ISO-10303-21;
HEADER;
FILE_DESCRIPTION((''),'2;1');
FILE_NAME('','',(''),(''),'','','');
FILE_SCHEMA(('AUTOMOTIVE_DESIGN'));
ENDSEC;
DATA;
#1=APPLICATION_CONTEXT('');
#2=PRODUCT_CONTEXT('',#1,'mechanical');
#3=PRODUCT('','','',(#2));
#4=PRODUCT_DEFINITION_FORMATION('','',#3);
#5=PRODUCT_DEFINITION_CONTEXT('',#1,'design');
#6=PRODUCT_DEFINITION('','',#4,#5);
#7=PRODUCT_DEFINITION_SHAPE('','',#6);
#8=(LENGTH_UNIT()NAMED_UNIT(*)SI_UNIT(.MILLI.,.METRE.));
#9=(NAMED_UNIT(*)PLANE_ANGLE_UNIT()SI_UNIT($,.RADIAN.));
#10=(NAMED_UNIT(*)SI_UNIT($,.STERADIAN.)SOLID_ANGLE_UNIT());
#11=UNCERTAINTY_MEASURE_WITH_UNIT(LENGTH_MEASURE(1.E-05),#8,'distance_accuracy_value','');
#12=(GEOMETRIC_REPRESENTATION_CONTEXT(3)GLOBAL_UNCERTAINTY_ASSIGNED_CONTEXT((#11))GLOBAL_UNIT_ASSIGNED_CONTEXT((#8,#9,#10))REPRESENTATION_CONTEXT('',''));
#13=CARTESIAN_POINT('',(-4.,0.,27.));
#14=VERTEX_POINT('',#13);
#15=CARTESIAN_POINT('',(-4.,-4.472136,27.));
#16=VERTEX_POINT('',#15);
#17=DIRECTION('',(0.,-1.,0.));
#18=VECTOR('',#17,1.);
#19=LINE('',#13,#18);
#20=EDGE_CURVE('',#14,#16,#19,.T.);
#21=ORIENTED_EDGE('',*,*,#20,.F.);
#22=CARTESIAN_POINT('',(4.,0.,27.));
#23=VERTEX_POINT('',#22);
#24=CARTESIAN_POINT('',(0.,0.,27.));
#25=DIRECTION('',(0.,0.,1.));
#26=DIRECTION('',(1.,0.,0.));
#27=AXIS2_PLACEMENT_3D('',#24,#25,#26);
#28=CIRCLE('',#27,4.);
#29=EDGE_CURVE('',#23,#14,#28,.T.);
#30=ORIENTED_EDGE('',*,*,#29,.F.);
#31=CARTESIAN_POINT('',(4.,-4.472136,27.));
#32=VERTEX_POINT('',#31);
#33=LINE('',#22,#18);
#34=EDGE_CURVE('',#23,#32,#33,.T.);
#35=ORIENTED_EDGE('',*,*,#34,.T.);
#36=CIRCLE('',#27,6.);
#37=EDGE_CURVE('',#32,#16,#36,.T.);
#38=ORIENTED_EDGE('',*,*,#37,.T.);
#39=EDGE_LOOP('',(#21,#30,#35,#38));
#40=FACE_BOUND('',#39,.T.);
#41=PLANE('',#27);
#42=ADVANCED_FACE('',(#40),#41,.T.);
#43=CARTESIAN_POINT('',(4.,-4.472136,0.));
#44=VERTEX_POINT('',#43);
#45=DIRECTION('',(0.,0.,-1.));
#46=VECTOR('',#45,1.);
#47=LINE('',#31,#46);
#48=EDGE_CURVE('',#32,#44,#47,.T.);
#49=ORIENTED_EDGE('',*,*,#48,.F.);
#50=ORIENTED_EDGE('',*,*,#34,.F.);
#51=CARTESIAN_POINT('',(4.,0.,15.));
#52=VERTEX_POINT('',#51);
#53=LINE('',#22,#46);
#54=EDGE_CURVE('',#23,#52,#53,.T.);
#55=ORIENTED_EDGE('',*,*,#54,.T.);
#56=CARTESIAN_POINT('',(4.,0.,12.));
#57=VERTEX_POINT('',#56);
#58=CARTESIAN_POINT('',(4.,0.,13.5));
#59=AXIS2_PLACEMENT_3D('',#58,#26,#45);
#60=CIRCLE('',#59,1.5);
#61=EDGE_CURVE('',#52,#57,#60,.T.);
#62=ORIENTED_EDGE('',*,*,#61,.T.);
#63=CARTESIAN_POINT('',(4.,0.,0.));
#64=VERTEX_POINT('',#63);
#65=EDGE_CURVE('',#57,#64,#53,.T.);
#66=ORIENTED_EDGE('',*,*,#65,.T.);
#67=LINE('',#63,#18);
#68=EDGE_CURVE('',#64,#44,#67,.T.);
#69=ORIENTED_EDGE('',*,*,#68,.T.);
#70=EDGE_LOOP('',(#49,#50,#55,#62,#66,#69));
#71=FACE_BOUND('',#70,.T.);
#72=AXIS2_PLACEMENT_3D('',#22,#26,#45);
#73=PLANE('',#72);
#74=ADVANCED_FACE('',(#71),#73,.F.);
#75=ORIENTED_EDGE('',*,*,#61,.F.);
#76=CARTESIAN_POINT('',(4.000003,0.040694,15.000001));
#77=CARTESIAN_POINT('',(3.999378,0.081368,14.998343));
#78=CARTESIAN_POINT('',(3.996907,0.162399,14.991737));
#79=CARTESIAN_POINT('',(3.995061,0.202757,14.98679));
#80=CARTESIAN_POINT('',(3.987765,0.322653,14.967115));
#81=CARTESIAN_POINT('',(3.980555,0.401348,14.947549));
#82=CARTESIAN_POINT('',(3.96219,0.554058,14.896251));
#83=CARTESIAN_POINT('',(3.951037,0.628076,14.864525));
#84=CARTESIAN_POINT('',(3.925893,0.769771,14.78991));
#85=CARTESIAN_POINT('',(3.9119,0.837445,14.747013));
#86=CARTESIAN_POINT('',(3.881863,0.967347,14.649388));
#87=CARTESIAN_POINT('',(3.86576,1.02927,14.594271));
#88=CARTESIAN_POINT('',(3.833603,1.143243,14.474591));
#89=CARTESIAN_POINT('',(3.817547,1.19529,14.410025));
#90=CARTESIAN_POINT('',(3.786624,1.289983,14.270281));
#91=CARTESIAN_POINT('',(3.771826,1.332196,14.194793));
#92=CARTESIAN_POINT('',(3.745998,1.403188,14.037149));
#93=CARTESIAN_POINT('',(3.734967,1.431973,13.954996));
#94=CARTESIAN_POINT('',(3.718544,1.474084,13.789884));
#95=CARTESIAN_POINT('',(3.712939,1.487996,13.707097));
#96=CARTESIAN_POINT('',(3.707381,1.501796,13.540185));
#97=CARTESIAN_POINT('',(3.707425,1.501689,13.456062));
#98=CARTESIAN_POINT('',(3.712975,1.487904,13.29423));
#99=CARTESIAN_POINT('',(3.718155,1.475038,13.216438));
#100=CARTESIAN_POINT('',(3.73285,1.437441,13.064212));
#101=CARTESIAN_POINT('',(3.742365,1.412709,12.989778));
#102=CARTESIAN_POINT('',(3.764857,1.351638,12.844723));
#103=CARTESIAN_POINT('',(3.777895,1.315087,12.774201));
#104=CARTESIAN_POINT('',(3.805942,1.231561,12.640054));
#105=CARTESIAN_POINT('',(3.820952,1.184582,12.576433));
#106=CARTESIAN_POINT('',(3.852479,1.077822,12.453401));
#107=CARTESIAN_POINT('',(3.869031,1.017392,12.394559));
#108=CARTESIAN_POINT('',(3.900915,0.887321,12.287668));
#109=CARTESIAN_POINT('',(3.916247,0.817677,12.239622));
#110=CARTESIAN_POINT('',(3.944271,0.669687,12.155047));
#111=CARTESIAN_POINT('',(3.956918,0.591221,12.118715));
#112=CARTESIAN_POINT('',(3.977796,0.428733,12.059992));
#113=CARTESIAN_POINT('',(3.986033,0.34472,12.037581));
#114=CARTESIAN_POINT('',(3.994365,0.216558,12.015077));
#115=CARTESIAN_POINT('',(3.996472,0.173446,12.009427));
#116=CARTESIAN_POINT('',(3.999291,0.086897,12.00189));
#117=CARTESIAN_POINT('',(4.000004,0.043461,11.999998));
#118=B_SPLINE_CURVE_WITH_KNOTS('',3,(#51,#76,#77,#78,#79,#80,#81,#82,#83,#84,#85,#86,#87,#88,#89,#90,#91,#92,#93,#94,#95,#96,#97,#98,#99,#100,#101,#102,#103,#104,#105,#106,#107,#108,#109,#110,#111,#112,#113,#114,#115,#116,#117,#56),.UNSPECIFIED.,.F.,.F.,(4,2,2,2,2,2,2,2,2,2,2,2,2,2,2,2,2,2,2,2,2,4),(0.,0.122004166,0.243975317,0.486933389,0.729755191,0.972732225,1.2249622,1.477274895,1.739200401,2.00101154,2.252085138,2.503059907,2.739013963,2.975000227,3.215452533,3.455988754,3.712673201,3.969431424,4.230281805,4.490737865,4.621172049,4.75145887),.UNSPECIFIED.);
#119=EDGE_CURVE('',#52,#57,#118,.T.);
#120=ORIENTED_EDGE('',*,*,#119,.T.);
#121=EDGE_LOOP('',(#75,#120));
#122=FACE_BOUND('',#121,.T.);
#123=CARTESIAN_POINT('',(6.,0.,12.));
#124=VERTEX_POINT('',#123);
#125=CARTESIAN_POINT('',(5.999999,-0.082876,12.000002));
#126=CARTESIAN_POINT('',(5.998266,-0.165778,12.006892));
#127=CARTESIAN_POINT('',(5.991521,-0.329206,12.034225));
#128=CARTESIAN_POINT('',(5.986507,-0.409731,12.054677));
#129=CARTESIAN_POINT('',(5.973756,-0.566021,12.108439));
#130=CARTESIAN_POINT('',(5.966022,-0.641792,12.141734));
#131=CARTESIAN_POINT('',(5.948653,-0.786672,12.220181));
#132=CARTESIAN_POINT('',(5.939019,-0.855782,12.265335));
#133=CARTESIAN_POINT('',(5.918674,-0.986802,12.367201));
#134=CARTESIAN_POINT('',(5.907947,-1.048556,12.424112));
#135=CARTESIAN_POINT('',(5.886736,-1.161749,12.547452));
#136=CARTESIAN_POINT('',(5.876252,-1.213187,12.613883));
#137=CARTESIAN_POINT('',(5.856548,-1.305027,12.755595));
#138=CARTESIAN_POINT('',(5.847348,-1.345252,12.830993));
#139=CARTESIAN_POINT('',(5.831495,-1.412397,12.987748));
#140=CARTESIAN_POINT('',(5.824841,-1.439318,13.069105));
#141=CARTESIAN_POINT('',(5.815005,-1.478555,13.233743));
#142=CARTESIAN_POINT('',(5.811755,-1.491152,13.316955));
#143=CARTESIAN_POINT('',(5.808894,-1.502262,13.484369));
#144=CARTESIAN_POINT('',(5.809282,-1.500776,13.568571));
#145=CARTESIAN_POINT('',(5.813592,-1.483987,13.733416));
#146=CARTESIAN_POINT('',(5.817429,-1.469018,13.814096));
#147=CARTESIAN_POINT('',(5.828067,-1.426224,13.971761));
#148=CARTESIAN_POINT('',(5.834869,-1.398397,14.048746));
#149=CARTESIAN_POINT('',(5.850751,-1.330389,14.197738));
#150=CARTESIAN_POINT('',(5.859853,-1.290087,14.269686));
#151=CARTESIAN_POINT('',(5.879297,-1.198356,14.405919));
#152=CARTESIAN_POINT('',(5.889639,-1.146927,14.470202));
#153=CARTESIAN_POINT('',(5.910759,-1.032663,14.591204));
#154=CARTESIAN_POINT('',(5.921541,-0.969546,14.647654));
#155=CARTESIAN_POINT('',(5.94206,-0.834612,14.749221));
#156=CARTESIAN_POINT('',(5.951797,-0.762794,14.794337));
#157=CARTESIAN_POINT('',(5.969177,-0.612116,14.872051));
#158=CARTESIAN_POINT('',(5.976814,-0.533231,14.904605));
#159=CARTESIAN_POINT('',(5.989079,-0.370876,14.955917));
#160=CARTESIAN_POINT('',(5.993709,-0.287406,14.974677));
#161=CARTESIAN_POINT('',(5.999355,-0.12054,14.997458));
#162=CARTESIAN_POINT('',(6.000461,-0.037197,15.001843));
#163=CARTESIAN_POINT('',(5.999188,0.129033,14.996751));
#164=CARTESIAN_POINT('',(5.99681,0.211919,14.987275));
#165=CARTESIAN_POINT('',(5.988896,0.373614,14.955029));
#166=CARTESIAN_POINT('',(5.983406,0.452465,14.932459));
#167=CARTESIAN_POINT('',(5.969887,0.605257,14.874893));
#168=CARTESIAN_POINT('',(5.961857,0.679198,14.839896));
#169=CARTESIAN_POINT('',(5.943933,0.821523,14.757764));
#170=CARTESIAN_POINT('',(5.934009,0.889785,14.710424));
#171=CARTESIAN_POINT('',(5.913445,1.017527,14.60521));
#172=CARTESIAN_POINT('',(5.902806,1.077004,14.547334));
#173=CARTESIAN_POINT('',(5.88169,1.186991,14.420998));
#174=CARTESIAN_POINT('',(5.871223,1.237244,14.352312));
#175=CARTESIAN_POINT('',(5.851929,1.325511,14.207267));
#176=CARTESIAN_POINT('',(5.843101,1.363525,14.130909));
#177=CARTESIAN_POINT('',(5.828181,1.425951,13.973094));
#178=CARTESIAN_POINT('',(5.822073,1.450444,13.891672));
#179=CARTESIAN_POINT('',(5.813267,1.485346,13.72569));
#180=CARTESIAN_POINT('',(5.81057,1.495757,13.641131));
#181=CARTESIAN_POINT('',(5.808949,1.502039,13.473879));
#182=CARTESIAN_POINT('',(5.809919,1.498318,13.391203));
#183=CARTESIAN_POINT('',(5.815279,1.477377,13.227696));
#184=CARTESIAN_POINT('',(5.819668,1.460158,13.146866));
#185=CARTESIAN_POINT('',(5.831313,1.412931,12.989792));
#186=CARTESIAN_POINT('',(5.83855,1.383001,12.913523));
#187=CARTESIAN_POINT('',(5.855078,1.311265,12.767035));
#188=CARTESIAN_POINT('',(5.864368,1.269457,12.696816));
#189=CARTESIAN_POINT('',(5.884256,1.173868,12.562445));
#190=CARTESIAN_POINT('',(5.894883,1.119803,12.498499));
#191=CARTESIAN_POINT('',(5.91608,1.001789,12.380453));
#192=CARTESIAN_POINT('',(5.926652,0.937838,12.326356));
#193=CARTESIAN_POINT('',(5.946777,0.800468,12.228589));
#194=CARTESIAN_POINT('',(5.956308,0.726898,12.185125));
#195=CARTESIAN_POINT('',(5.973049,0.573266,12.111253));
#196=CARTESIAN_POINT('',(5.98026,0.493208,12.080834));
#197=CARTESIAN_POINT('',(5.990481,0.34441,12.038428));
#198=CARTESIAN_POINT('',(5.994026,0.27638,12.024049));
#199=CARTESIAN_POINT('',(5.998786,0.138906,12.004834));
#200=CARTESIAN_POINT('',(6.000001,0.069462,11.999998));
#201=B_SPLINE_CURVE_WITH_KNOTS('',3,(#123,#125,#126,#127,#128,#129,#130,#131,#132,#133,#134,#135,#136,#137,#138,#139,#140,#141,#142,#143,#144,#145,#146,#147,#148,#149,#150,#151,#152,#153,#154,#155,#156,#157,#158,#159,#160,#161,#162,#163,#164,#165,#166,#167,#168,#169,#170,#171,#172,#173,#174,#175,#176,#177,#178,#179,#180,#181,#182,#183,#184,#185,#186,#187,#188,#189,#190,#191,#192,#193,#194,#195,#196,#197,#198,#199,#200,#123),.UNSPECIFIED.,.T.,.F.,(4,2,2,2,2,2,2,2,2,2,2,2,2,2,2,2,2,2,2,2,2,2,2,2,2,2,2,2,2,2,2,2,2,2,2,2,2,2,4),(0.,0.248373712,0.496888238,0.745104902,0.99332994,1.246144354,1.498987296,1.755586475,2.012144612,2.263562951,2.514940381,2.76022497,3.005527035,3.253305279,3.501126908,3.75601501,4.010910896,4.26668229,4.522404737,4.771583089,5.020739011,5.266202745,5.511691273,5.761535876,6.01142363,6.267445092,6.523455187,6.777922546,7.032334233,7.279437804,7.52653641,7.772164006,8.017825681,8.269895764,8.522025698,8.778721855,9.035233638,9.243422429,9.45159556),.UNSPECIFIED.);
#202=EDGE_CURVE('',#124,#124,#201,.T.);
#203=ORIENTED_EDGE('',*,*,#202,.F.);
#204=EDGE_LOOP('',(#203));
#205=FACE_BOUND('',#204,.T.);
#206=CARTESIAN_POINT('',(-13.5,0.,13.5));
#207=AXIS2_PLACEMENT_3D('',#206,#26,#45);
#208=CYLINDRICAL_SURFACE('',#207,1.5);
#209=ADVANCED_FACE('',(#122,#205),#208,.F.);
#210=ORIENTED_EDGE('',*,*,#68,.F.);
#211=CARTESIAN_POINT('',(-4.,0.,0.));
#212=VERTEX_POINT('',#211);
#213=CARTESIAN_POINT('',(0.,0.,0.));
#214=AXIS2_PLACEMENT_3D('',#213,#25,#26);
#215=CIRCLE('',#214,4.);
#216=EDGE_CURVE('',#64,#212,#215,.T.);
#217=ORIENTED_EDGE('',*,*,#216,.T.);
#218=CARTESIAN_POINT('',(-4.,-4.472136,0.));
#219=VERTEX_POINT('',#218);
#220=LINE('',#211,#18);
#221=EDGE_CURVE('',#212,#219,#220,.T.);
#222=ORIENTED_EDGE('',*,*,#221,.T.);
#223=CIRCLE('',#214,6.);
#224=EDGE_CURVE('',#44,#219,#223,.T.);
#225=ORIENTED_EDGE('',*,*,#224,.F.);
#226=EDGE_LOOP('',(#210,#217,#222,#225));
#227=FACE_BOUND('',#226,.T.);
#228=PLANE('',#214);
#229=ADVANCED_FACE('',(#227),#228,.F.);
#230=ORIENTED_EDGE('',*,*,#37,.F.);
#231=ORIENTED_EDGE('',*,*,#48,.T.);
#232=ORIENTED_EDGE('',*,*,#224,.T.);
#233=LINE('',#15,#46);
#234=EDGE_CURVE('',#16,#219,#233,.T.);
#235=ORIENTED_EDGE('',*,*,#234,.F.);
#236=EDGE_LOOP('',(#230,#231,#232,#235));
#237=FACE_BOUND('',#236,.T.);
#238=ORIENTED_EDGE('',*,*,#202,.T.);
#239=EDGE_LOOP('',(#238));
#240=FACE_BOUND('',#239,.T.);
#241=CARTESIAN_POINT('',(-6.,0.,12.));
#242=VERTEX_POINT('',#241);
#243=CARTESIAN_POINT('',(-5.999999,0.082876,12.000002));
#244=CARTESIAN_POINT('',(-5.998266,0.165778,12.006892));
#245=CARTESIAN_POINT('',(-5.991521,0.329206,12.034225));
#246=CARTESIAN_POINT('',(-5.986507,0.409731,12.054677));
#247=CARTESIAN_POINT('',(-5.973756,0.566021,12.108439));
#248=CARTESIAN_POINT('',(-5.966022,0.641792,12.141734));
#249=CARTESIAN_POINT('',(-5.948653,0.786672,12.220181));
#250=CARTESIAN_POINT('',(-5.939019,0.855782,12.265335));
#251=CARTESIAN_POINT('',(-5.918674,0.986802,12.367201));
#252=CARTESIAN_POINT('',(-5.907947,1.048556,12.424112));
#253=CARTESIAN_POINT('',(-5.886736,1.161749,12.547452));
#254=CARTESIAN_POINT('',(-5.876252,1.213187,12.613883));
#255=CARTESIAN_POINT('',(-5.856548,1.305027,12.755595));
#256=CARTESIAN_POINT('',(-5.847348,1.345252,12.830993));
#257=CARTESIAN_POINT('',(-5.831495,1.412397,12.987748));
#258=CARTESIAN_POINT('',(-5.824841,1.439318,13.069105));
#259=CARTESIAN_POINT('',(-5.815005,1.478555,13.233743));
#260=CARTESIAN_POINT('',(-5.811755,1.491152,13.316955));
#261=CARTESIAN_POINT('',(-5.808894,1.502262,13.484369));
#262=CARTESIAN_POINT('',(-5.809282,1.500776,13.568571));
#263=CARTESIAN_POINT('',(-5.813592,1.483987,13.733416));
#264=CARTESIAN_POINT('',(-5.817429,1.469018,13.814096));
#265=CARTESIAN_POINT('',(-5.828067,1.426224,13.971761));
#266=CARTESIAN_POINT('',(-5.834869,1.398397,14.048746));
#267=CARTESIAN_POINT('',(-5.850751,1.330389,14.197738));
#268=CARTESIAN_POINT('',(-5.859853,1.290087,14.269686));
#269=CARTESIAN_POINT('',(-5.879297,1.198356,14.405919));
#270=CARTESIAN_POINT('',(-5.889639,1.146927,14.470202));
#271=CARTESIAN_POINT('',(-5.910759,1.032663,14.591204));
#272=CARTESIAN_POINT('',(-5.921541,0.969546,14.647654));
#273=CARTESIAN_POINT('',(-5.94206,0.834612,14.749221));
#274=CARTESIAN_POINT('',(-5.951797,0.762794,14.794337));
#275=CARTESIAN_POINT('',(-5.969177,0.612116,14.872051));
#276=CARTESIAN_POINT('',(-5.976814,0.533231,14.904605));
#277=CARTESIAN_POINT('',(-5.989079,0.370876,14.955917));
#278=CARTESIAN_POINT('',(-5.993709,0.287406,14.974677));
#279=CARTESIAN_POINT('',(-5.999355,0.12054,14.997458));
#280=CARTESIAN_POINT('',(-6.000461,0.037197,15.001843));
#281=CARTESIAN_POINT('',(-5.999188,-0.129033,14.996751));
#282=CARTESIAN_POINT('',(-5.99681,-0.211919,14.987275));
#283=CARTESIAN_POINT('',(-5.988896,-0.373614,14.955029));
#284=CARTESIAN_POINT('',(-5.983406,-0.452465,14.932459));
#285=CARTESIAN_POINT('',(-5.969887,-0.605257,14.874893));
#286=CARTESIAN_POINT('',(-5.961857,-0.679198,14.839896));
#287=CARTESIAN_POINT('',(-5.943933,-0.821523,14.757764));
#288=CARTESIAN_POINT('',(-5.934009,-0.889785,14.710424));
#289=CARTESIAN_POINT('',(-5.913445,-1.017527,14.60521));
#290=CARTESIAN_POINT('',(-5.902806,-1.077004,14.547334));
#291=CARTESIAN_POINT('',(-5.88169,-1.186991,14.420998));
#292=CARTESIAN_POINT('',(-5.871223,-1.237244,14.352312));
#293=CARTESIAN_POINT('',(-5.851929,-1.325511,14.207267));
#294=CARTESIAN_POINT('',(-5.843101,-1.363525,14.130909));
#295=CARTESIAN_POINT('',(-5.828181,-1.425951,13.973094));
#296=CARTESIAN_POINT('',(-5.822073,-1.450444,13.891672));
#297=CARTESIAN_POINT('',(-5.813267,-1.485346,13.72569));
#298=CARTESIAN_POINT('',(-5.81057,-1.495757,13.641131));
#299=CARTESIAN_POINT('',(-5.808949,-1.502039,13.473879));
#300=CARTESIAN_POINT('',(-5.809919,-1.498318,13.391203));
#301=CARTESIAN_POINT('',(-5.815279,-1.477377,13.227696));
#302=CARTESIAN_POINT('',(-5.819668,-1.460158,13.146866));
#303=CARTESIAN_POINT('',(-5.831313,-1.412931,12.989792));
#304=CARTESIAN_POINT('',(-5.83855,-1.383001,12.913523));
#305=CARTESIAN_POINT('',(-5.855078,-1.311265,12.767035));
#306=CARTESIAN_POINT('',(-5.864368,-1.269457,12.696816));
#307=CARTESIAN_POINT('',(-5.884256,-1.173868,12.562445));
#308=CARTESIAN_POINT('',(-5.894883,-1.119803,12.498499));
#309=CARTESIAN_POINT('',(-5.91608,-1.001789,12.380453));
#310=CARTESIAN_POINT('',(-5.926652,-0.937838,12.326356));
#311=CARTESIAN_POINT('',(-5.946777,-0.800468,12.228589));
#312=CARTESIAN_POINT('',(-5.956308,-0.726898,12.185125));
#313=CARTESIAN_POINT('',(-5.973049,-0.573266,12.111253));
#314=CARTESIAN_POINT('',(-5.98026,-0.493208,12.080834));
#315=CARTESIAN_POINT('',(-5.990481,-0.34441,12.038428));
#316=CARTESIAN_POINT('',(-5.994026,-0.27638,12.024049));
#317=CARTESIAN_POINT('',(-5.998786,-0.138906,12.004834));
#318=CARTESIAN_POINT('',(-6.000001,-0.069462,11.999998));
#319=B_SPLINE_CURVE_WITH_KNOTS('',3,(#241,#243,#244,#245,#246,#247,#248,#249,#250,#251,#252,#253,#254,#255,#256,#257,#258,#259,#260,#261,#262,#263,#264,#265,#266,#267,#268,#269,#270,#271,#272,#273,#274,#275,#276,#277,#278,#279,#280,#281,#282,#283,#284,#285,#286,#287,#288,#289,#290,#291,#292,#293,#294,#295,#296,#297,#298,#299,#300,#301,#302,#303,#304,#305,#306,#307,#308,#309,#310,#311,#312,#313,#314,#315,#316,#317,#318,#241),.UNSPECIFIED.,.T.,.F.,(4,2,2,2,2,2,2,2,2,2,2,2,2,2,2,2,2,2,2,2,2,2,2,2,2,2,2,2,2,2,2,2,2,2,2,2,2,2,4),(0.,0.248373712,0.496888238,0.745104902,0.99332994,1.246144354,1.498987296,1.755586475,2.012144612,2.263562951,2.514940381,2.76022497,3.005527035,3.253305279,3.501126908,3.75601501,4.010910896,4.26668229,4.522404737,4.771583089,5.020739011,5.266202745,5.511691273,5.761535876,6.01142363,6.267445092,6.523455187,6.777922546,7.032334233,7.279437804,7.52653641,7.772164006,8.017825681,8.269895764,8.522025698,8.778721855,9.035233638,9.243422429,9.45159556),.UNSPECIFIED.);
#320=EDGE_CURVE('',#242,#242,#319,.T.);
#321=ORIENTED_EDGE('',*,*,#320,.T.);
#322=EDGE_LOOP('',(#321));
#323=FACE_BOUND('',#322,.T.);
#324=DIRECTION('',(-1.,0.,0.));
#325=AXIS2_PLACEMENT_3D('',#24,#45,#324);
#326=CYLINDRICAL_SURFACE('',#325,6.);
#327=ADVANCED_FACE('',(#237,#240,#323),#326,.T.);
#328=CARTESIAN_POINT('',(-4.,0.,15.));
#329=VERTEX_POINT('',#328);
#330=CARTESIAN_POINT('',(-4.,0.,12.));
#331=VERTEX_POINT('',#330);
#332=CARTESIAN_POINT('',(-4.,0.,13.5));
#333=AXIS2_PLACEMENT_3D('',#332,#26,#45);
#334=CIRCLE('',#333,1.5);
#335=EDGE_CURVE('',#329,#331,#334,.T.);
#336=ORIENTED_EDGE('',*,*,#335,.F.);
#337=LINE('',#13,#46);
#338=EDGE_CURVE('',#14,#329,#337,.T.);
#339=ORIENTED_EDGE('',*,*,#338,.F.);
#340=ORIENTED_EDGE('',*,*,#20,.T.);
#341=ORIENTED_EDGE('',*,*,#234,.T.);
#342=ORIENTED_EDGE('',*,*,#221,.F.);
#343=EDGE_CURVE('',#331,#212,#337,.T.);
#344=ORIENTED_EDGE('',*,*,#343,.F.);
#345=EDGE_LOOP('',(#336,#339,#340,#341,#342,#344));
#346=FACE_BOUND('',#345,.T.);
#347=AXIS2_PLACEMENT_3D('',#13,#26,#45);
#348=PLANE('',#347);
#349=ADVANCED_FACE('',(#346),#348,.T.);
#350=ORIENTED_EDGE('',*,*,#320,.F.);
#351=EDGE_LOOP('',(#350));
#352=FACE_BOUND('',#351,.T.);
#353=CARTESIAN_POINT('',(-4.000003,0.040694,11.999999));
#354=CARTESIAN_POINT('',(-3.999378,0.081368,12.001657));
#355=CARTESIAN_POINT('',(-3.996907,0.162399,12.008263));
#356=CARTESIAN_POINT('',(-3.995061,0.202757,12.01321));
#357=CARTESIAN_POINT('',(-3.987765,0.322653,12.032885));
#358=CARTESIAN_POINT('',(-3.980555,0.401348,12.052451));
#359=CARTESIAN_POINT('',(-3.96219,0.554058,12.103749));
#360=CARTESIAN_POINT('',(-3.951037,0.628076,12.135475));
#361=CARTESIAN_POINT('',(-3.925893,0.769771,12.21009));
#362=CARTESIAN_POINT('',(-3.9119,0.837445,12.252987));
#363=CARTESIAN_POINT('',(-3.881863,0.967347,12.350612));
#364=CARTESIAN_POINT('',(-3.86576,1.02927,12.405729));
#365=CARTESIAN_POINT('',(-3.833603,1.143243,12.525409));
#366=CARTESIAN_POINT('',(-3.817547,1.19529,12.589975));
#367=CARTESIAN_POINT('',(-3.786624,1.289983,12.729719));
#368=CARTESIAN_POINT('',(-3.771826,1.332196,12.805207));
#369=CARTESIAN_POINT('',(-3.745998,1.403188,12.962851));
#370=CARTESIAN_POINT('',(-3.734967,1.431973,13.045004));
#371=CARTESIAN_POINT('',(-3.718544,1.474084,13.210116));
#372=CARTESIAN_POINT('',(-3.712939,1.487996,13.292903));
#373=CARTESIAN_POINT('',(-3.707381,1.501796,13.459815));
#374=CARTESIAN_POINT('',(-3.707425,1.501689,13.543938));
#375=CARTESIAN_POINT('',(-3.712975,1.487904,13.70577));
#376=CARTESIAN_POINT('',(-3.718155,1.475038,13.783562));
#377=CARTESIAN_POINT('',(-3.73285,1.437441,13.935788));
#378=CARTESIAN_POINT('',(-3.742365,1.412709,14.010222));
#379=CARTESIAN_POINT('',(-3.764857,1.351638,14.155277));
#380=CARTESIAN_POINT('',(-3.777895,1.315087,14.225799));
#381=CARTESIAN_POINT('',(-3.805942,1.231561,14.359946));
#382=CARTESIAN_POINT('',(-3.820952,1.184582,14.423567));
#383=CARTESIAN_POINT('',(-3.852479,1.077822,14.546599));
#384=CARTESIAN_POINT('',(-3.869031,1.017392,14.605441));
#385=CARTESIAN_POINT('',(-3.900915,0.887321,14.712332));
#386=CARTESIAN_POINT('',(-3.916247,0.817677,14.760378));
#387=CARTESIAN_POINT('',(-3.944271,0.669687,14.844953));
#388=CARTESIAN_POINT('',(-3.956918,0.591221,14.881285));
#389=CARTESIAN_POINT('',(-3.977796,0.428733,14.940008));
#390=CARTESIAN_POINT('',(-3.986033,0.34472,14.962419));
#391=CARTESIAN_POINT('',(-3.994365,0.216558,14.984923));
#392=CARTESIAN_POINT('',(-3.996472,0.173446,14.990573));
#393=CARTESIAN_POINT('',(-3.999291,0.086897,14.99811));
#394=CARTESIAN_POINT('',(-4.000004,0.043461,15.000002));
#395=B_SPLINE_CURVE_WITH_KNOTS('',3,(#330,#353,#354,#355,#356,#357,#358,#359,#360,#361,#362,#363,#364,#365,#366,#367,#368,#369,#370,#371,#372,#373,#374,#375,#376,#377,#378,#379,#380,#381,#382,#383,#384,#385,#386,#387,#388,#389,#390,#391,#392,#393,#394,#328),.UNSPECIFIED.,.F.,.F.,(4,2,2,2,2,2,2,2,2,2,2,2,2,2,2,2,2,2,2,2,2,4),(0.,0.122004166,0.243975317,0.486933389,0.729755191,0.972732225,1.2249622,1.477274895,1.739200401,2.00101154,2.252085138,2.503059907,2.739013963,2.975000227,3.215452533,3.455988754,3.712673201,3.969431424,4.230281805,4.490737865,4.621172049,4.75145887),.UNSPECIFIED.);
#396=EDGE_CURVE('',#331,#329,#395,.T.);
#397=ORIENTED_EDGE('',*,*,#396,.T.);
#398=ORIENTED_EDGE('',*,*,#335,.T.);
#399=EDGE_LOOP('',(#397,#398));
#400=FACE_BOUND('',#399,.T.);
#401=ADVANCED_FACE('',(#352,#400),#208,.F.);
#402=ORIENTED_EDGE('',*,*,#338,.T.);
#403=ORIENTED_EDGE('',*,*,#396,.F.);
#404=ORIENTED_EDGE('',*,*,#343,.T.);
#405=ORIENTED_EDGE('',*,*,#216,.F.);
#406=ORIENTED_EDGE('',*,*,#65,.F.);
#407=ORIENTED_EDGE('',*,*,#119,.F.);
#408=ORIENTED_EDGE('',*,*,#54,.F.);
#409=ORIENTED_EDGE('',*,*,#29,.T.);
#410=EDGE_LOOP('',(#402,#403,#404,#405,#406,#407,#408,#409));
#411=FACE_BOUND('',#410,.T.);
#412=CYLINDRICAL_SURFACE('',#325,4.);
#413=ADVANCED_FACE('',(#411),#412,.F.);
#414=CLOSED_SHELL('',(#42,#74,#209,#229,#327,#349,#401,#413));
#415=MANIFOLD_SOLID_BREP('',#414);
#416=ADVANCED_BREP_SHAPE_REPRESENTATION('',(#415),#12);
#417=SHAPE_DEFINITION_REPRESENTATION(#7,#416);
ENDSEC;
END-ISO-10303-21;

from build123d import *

# Parameters (mm, degrees)
SALIENTE_EXTRUIR1_DEPTH = 27
CROQUIS2_R              = 1.5
CORTAR_EXTRUIR1_DEPTH   = 13.5


with BuildPart() as part:
    # Croquis1 → Saliente-Extruir1 (new body)
    with BuildSketch(Plane(origin=(0, 0, 0), x_dir=(0, 1, 0), z_dir=(0, 0, 1))):
        with BuildLine():
            Line((0, 4), (-4.472135955, 4))
            ThreePointArc((-4.472135955, 4), (6, 0), (-4.472135955, -4))
            Line((-4.472135955, -4), (0, -4))
            ThreePointArc((0, -4), (4, 0), (0, 4))
        make_face()
    extrude(amount=SALIENTE_EXTRUIR1_DEPTH)

    # Croquis2 → Cortar-Extruir1 (cut, symmetric)
    with BuildSketch(Plane.YZ):
        with Locations(Location((0, 13.5, 0), (0, 0, 270))):
            Circle(CROQUIS2_R)
    extrude(amount=CORTAR_EXTRUIR1_DEPTH, both=True, mode=Mode.SUBTRACT)


solid = part.part
